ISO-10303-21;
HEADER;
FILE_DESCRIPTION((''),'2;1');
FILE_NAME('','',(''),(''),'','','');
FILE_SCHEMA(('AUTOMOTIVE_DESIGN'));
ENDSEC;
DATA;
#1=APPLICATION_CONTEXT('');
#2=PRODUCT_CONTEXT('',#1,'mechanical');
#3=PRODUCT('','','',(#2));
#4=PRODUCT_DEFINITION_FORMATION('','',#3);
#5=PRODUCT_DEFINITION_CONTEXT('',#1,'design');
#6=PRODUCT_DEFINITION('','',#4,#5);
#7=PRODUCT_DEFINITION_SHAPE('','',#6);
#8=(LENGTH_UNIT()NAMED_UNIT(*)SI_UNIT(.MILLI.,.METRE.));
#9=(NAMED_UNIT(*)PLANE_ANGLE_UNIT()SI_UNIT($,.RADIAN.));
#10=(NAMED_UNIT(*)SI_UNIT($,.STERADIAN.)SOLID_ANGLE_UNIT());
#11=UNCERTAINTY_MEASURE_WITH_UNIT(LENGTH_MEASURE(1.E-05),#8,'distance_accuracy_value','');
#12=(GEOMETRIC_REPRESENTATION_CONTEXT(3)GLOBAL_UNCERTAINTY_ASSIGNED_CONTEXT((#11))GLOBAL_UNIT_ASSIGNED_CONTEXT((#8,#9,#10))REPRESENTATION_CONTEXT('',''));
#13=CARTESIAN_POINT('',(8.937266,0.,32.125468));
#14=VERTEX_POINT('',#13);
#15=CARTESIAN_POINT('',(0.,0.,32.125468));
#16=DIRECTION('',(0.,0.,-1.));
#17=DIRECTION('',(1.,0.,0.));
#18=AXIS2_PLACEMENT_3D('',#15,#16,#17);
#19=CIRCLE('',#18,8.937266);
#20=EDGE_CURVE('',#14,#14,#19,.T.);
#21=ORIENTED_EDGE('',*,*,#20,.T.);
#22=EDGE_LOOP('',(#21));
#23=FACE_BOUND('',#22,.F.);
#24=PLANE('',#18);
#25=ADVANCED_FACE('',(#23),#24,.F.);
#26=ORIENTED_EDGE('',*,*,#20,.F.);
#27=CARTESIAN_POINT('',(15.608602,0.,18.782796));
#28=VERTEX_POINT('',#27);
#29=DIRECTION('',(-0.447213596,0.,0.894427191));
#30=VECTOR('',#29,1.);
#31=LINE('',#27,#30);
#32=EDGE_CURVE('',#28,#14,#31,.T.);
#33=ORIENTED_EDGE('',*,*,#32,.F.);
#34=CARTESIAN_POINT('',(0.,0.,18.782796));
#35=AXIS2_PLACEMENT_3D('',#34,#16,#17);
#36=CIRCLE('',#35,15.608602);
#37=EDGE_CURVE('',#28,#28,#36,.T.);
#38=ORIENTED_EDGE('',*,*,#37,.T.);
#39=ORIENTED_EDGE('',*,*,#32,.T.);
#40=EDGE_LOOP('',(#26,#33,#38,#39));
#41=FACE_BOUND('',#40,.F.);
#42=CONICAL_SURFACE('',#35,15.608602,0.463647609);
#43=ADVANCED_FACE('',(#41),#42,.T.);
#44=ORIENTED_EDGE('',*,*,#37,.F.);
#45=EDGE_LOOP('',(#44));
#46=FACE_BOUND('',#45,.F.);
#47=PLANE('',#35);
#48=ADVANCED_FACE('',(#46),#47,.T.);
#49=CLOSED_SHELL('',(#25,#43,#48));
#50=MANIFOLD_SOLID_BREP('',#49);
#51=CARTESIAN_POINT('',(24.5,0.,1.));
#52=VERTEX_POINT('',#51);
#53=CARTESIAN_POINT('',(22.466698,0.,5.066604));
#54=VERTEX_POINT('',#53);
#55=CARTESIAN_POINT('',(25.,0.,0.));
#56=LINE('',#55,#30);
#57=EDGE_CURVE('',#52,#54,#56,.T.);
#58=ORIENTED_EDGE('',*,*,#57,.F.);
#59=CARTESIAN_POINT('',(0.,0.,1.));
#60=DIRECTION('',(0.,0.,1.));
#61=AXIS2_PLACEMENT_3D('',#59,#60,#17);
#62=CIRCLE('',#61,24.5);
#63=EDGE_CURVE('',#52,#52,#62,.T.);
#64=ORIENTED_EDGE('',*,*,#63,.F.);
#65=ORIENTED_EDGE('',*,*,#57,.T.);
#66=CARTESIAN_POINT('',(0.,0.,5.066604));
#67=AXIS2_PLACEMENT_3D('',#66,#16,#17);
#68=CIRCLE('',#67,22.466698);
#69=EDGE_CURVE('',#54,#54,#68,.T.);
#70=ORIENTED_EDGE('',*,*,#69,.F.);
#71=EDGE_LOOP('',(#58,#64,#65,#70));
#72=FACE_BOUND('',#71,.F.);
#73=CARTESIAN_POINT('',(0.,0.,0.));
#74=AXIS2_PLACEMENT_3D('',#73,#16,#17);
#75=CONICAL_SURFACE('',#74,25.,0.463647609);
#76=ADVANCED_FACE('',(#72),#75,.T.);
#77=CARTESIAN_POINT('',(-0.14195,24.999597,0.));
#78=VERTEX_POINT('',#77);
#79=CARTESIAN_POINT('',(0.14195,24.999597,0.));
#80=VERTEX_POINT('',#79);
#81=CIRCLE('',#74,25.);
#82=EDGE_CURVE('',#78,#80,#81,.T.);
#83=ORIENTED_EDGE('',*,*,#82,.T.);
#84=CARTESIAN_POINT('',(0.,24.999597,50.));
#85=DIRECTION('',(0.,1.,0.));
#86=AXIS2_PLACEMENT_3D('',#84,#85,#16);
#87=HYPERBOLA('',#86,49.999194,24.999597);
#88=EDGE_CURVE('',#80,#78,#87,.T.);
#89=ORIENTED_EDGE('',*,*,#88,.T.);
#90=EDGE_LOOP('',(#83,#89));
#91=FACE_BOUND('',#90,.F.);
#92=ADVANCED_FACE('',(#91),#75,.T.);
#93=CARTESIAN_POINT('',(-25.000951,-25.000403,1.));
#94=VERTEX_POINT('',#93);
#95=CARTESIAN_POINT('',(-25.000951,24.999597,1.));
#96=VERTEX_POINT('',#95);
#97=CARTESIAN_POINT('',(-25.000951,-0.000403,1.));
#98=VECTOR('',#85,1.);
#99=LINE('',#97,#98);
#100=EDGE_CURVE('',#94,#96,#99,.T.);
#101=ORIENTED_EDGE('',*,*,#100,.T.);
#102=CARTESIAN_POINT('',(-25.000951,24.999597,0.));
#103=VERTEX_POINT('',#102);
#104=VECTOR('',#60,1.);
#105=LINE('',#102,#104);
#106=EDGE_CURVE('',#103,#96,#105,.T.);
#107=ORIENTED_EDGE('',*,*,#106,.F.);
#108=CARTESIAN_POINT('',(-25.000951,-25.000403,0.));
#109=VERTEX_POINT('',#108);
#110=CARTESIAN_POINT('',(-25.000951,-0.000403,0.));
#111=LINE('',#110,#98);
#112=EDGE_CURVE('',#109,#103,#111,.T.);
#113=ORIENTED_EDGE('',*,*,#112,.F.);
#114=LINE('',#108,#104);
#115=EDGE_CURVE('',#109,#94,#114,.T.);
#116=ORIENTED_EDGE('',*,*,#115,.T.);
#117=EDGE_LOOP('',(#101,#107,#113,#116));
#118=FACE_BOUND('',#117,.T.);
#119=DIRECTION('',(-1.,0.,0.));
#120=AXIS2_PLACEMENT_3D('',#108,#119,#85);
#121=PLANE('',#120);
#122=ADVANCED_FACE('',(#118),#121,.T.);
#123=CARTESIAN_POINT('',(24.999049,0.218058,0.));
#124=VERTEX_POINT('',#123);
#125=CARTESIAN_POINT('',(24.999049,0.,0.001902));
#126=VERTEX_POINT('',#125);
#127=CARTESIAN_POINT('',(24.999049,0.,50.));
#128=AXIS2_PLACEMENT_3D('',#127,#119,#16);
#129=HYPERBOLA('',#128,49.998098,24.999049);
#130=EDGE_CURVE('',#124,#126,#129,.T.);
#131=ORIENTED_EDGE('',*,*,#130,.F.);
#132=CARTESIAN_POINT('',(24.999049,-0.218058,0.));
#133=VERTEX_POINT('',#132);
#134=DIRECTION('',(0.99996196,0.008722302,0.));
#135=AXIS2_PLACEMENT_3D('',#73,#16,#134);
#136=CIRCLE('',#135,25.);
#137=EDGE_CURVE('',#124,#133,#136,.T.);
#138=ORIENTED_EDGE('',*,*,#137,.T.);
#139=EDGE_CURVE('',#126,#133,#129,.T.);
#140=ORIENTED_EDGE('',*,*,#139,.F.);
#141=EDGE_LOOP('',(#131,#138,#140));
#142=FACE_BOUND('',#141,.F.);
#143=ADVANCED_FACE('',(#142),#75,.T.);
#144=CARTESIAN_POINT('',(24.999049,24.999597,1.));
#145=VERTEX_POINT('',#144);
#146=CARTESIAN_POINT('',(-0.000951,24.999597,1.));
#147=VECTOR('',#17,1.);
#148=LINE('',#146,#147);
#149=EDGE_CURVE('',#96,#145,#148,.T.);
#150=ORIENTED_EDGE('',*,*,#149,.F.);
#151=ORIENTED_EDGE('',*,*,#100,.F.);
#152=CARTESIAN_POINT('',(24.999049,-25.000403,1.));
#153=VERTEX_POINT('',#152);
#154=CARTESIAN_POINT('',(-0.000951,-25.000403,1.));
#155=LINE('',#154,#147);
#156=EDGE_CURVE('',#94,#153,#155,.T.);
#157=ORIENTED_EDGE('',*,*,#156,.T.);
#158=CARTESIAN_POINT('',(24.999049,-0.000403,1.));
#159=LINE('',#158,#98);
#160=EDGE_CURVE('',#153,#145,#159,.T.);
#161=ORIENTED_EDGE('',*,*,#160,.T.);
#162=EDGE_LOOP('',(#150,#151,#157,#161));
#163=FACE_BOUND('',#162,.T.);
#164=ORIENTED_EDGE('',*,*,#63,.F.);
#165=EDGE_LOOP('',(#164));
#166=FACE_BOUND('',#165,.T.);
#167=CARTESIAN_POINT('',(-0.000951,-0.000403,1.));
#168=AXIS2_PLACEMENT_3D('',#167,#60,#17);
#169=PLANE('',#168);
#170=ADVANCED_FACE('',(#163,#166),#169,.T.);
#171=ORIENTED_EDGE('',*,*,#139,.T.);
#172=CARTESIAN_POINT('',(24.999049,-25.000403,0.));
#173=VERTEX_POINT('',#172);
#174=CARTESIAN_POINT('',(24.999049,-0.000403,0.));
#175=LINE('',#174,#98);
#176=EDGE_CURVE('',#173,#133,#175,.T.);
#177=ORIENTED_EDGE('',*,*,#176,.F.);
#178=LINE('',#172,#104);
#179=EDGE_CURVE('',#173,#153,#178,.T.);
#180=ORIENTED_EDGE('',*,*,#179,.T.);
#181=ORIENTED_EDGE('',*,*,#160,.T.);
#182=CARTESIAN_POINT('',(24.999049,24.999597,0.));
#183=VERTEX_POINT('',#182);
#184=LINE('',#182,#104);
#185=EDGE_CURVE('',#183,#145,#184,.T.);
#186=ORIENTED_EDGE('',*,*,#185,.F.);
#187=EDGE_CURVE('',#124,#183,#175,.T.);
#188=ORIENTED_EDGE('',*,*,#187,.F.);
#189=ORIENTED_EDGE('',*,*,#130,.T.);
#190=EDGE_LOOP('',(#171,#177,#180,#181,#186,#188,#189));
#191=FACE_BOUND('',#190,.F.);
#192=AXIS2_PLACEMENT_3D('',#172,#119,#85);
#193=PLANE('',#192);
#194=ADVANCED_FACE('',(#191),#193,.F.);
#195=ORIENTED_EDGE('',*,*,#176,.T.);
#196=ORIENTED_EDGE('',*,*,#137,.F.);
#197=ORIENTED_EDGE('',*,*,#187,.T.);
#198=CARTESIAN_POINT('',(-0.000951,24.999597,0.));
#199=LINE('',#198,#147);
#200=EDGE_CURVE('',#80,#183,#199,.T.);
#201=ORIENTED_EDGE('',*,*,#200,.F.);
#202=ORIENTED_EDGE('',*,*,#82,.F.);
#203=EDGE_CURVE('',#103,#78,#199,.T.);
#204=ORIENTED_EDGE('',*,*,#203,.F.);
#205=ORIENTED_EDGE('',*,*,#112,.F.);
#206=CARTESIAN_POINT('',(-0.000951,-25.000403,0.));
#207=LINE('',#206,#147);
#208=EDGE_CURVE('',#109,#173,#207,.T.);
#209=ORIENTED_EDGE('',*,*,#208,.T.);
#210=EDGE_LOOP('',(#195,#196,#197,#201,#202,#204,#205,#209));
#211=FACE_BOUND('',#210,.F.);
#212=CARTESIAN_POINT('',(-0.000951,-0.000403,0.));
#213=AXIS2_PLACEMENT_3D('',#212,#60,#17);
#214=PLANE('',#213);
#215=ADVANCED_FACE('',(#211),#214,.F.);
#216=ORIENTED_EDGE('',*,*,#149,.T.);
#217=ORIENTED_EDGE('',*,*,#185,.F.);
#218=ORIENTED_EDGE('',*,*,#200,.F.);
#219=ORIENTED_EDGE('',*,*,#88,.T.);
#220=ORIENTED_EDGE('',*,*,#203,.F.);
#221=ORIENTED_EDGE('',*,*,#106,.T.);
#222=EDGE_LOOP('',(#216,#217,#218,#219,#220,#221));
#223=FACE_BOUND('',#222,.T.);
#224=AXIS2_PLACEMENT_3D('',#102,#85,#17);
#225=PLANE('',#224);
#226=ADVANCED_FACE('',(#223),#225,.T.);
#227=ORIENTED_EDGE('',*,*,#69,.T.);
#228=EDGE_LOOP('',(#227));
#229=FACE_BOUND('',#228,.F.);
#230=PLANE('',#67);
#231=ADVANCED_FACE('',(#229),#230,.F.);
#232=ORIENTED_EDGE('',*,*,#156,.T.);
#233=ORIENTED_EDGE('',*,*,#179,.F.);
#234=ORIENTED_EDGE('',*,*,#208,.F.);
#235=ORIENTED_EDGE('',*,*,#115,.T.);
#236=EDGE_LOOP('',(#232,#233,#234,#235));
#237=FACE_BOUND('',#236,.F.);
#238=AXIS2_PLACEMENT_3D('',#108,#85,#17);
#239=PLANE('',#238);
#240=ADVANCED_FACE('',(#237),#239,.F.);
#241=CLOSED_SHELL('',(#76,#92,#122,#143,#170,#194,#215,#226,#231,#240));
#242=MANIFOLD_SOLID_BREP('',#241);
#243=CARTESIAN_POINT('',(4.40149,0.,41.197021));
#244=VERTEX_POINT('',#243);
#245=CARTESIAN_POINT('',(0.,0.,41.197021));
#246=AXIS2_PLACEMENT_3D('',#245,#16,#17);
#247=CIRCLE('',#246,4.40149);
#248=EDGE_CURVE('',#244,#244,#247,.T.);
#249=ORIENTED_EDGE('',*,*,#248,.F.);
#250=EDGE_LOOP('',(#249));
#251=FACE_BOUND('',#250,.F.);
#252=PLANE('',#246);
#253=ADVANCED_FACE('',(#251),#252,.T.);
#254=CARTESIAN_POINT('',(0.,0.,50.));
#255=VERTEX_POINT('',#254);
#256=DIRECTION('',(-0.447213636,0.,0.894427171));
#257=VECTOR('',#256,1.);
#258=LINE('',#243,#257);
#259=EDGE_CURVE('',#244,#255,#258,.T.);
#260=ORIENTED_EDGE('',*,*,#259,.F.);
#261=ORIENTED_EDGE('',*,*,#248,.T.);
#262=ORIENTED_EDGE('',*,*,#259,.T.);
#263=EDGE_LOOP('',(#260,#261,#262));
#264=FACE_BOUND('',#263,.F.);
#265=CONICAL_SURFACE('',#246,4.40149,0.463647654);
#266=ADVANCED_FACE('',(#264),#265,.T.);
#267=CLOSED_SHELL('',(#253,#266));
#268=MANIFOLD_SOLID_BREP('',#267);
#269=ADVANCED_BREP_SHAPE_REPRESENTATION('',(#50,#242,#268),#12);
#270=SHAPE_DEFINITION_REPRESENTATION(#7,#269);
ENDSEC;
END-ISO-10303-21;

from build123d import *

# Parameters (mm, degrees)
F2_W     = 50
F2_H     = 50
F3_DEPTH = 1


with BuildPart() as f1:
    # F0 (on Front) → F1 (revolve)
    with BuildSketch(Plane.XZ):
        Polygon((0, 5.066604), (0, 0), (25, 0), (22.466698, 5.066604), align=None)
        Polygon((4.40149, 41.197021), (0, 50), (0, 41.197021), align=None)
        Polygon((8.937266, 32.125468), (0, 32.125468), (0, 18.782796), (15.608602, 18.782796), align=None)
    revolve(axis=Axis((0, 0, 25.454132), (0, 0, -1)))

    # F2 (on Top) → F3 (join)
    with BuildSketch(Plane.XY):
        with Locations((-0.000951, -0.000403)):
            Rectangle(F2_W, F2_H)
    extrude(amount=F3_DEPTH)


solid = f1.part
